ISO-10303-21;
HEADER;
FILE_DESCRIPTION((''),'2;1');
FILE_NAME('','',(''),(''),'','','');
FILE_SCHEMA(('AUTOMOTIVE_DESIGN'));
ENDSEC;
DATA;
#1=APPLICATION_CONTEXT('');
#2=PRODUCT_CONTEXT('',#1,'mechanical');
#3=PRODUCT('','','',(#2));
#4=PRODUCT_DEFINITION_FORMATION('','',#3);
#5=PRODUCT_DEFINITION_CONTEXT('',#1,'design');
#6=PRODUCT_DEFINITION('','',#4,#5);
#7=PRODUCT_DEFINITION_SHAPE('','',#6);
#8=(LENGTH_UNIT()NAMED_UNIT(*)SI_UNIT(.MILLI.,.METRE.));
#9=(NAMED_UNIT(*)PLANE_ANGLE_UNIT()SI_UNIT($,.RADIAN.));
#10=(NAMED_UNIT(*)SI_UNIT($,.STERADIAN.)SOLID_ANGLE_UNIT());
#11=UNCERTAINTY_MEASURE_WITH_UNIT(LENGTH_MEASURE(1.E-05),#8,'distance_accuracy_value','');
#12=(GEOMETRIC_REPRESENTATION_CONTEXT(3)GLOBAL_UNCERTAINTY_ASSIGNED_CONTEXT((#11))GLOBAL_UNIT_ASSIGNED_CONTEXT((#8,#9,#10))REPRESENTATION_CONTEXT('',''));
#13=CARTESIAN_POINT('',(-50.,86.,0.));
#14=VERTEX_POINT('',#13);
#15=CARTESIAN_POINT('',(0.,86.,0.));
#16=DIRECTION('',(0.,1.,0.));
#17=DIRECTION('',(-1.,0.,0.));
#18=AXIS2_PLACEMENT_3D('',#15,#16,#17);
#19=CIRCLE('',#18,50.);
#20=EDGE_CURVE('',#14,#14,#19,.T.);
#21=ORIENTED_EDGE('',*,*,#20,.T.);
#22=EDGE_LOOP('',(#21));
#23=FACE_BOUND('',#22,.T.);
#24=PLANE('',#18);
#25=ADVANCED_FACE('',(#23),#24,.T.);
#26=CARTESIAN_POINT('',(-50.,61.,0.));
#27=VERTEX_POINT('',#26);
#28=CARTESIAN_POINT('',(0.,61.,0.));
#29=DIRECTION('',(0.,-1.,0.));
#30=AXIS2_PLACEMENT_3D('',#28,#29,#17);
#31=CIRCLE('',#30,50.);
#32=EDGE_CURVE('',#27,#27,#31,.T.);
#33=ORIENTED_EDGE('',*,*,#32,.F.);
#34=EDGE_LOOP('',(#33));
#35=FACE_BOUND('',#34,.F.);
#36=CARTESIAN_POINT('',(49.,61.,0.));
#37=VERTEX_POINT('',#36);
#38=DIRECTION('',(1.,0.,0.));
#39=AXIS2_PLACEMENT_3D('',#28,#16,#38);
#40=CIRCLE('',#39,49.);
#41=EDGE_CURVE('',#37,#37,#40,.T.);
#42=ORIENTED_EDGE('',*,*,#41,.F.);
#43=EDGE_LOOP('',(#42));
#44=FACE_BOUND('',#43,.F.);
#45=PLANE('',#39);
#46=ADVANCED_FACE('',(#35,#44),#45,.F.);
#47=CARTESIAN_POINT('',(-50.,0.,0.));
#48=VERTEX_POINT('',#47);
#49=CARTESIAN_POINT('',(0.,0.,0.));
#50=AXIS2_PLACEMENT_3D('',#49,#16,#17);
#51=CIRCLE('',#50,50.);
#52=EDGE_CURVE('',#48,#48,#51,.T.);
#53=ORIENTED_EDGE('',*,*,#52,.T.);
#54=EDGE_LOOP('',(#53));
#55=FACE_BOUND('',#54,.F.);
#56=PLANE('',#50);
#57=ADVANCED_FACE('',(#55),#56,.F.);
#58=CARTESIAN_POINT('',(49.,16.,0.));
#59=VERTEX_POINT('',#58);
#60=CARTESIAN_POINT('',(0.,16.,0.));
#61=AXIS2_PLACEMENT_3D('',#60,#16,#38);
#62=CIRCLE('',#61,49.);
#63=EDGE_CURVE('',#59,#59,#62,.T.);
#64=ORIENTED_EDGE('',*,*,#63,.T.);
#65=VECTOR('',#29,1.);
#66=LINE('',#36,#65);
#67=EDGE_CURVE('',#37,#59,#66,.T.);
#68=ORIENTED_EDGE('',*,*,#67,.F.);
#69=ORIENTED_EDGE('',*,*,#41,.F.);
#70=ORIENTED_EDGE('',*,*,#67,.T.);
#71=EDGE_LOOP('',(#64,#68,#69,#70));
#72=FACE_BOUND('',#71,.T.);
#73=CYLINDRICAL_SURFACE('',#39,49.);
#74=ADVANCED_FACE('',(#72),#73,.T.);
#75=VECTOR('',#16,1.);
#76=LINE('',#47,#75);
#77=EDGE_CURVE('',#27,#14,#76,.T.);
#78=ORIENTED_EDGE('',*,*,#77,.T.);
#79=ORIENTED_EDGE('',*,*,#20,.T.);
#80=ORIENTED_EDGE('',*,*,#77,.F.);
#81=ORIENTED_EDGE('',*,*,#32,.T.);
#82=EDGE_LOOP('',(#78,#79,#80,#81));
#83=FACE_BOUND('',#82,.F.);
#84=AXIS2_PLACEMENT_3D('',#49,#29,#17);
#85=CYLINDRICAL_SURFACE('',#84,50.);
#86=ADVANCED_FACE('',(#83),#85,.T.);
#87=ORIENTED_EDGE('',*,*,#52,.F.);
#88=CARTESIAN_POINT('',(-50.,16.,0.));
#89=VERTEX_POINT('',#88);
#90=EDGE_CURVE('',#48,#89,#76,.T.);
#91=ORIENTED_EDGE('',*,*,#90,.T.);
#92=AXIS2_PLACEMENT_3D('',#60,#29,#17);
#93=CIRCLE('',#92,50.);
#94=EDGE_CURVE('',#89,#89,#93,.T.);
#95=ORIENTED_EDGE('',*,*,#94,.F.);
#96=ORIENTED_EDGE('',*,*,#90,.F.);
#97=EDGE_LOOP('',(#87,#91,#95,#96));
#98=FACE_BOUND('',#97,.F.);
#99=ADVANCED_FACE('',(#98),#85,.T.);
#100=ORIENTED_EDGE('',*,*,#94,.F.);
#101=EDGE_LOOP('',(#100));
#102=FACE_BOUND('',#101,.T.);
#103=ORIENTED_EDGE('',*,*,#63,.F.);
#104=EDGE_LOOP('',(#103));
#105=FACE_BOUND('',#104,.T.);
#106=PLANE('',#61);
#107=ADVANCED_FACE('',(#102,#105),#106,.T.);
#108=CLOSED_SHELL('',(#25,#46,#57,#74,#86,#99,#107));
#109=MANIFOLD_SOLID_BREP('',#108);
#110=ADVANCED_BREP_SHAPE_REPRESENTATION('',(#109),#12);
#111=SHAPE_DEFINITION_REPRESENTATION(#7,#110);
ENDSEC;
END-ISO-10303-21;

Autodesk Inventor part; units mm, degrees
ref_plane "YZ Plane" through (0, 0, 0) normal (1, 0, 0) x (0, 1, 0)
ref_plane "XZ Plane" through (0, 0, 0) normal (0, 1, 0) x (-1, 0, 0)
sketch "스케치1" plane through (0, 0, 0) normal (0, 1, 0) x (-1, 0, 0)
  circle A0 centre (0, 0) radius 50
  dimension "d0" = 100
extrude "돌출1" add sketch "스케치1" along normal blind 86
ref_plane "작업 평면1" through (0, 61, 0) normal (0, 1, 0) x (1, 0, 0)
sketch "스케치2" plane through (0, 61, 0) normal (0, 1, 0) x (1, 0, 0)
  circle A0 centre (0, 0) radius 51.5789
  circle A1 centre (0, 0) radius 49
  dimension "d4" = 98
extrude "돌출2" cut sketch "스케치2" against normal blind 45
properties part number "lidar"
